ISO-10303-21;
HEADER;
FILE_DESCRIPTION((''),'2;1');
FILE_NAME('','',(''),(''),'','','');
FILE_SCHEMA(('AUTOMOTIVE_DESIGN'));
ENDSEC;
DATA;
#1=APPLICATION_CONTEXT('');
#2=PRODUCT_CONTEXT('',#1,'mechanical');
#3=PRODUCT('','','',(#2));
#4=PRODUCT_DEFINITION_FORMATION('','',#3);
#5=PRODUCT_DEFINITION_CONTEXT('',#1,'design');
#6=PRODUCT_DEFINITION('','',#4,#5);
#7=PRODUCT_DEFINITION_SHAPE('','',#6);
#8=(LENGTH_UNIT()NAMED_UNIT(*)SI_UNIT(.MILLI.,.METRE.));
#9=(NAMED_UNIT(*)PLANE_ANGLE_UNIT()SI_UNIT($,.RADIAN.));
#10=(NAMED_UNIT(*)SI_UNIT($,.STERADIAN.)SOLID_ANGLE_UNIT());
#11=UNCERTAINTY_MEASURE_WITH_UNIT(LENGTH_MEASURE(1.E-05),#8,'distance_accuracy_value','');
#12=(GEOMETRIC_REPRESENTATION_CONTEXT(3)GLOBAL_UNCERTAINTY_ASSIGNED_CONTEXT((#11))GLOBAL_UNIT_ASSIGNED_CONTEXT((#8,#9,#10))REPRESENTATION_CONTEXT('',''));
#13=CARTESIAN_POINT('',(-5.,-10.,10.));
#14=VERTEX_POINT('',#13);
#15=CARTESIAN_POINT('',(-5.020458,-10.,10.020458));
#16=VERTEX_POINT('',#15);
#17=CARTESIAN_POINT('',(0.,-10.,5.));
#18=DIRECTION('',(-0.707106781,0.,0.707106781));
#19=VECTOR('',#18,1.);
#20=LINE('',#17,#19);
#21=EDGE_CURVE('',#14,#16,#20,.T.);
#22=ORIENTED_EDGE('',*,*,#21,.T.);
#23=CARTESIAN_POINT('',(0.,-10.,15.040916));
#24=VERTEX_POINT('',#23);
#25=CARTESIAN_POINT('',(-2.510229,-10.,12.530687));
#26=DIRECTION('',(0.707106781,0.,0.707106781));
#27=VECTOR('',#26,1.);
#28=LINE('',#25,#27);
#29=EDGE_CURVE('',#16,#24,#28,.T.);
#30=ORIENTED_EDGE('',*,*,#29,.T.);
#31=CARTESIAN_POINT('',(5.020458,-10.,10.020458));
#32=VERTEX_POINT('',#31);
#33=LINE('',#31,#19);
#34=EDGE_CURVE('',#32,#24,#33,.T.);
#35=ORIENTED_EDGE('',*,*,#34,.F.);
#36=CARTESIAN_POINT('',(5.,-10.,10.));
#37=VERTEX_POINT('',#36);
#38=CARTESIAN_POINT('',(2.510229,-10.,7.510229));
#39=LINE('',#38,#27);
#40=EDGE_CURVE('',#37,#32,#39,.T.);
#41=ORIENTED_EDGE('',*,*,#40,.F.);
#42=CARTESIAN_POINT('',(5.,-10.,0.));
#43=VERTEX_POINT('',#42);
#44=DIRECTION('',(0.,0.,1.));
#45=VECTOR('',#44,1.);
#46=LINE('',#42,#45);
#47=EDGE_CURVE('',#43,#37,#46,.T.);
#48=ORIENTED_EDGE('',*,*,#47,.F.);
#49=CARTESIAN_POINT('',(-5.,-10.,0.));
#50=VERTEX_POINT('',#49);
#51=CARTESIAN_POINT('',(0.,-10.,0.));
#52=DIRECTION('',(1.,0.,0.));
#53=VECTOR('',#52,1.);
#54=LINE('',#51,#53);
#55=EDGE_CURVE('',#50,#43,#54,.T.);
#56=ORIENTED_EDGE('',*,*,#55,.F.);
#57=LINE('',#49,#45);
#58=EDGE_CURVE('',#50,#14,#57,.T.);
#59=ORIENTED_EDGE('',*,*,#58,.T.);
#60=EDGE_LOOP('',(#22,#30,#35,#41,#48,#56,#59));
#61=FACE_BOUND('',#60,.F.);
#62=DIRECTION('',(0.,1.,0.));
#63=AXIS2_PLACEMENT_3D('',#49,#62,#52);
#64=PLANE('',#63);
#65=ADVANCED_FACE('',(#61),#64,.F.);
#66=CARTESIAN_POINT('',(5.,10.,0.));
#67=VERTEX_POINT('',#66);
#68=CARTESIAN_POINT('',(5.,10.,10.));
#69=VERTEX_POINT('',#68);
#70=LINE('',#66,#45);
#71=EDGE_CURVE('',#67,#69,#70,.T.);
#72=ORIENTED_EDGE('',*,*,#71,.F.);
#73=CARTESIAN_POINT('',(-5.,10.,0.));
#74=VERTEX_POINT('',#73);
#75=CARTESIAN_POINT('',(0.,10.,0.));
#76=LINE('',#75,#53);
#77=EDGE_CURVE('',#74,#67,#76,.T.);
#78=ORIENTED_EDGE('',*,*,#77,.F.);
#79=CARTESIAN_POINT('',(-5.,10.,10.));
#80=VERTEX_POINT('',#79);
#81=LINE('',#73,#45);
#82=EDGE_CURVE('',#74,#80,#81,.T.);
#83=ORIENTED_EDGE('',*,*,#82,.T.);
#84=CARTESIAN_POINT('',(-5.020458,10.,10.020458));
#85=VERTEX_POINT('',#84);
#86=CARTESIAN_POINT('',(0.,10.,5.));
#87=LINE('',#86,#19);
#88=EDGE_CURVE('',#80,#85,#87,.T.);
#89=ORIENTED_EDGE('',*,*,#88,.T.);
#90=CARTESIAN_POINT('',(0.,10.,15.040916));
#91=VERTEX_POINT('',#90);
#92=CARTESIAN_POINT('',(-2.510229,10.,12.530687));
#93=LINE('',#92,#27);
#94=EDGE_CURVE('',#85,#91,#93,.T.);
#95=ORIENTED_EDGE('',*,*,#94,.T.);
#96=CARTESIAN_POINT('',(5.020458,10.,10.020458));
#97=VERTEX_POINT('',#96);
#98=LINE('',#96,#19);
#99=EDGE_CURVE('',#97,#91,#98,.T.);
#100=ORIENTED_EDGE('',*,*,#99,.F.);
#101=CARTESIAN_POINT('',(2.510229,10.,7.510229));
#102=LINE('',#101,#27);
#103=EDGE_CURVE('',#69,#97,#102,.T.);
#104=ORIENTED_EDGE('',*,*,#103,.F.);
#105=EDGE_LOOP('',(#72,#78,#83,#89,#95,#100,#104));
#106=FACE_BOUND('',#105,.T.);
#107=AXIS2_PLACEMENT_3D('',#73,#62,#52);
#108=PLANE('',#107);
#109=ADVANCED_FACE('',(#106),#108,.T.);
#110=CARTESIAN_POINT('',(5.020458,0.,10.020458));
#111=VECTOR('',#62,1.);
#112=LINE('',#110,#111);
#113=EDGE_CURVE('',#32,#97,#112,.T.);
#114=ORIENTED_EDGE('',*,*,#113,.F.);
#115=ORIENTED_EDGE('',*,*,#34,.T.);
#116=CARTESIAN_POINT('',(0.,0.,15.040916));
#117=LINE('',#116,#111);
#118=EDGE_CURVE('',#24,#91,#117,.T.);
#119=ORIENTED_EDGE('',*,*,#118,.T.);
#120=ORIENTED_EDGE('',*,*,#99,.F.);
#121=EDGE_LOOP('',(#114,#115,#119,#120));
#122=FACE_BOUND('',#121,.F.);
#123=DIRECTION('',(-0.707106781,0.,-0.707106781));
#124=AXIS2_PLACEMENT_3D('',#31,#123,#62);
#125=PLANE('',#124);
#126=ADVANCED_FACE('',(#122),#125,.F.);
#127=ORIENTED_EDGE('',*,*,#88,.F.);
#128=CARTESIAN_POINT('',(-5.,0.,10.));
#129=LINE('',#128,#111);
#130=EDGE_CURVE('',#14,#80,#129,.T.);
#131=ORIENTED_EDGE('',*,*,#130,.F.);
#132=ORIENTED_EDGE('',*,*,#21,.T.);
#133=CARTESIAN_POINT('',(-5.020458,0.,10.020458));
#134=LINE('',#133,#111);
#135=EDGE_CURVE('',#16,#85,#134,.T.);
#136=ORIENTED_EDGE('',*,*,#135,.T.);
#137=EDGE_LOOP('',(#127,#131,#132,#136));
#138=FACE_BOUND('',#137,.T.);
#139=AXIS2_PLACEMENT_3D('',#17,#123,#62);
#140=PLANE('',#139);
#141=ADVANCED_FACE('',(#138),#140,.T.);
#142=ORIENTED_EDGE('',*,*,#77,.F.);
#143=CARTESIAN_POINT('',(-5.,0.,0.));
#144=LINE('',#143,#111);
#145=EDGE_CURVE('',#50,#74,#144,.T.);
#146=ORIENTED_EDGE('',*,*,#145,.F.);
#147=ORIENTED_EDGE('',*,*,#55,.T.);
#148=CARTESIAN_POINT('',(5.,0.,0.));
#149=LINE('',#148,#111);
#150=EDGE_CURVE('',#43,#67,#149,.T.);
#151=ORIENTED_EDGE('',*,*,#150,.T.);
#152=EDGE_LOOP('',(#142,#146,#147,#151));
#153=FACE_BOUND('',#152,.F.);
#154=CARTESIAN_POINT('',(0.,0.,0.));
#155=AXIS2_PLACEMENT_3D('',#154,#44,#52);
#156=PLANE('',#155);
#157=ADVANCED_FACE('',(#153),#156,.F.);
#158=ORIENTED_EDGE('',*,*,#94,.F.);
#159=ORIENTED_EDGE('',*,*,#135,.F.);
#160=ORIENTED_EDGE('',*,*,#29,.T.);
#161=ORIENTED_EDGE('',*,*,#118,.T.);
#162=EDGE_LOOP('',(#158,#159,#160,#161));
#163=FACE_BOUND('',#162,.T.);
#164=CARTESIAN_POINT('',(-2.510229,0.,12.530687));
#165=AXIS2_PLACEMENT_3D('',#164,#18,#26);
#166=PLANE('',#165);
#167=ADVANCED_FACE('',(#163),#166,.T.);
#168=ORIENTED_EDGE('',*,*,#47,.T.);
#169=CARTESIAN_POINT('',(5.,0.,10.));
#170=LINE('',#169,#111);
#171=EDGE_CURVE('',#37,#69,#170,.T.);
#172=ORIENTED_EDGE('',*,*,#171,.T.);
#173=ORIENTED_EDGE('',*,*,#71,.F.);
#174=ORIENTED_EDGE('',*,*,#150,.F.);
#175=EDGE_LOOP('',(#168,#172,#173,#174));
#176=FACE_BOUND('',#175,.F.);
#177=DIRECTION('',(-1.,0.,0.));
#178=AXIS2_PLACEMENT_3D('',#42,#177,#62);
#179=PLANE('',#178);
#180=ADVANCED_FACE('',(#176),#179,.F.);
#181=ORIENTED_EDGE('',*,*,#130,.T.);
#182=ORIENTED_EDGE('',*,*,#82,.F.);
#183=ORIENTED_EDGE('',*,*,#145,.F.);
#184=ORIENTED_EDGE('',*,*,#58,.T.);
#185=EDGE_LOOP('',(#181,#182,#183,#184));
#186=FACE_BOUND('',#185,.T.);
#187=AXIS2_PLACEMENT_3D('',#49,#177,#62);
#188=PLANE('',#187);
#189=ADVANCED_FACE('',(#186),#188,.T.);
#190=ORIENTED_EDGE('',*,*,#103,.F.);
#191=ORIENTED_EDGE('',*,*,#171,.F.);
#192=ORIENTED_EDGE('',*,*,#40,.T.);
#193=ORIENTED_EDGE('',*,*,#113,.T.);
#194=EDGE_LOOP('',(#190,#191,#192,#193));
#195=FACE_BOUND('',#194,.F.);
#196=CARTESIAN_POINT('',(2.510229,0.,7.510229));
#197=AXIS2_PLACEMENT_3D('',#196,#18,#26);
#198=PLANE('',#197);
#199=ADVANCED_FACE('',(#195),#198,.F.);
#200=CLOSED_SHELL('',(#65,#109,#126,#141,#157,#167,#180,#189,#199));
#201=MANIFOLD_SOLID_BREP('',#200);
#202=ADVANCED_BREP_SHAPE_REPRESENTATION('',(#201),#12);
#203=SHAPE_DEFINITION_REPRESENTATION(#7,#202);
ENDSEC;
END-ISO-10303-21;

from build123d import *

# Parameters (mm, degrees)
BOX001_W               = 7.1
BOX001_H               = 20
BOX001_DEPTH           = 7.1
BOX001_PLACEMENT_ANGLE = 45
BOX_W                  = 10
BOX_H                  = 20
BOX_DEPTH              = 10


with BuildPart() as teulada:
    # Box001 → Box001 (new body)
    with BuildSketch(Plane.XY):
        with Locations((3.55, 10)):
            Rectangle(BOX001_W, BOX001_H)
    extrude(amount=BOX001_DEPTH)


with BuildPart() as teulada_1:
    # Box001 placement: moved
    add(teulada.part.moved(Location((5, 0, 5))).rotate(Axis((5, 0, 5), (0, -1, 0)), BOX001_PLACEMENT_ANGLE))


with BuildPart() as fusion:
    # Box → Box (new body)
    with BuildSketch(Plane.XY):
        with Locations((5, 10)):
            Rectangle(BOX_W, BOX_H)
    extrude(amount=BOX_DEPTH)

    # Fusion: union teulada
    add(teulada_1.part)


with BuildPart() as fusion_1:
    # Fusion placement: moved
    add(fusion.part.moved(Location((-5, -10, 0))))


solid = fusion_1.part
